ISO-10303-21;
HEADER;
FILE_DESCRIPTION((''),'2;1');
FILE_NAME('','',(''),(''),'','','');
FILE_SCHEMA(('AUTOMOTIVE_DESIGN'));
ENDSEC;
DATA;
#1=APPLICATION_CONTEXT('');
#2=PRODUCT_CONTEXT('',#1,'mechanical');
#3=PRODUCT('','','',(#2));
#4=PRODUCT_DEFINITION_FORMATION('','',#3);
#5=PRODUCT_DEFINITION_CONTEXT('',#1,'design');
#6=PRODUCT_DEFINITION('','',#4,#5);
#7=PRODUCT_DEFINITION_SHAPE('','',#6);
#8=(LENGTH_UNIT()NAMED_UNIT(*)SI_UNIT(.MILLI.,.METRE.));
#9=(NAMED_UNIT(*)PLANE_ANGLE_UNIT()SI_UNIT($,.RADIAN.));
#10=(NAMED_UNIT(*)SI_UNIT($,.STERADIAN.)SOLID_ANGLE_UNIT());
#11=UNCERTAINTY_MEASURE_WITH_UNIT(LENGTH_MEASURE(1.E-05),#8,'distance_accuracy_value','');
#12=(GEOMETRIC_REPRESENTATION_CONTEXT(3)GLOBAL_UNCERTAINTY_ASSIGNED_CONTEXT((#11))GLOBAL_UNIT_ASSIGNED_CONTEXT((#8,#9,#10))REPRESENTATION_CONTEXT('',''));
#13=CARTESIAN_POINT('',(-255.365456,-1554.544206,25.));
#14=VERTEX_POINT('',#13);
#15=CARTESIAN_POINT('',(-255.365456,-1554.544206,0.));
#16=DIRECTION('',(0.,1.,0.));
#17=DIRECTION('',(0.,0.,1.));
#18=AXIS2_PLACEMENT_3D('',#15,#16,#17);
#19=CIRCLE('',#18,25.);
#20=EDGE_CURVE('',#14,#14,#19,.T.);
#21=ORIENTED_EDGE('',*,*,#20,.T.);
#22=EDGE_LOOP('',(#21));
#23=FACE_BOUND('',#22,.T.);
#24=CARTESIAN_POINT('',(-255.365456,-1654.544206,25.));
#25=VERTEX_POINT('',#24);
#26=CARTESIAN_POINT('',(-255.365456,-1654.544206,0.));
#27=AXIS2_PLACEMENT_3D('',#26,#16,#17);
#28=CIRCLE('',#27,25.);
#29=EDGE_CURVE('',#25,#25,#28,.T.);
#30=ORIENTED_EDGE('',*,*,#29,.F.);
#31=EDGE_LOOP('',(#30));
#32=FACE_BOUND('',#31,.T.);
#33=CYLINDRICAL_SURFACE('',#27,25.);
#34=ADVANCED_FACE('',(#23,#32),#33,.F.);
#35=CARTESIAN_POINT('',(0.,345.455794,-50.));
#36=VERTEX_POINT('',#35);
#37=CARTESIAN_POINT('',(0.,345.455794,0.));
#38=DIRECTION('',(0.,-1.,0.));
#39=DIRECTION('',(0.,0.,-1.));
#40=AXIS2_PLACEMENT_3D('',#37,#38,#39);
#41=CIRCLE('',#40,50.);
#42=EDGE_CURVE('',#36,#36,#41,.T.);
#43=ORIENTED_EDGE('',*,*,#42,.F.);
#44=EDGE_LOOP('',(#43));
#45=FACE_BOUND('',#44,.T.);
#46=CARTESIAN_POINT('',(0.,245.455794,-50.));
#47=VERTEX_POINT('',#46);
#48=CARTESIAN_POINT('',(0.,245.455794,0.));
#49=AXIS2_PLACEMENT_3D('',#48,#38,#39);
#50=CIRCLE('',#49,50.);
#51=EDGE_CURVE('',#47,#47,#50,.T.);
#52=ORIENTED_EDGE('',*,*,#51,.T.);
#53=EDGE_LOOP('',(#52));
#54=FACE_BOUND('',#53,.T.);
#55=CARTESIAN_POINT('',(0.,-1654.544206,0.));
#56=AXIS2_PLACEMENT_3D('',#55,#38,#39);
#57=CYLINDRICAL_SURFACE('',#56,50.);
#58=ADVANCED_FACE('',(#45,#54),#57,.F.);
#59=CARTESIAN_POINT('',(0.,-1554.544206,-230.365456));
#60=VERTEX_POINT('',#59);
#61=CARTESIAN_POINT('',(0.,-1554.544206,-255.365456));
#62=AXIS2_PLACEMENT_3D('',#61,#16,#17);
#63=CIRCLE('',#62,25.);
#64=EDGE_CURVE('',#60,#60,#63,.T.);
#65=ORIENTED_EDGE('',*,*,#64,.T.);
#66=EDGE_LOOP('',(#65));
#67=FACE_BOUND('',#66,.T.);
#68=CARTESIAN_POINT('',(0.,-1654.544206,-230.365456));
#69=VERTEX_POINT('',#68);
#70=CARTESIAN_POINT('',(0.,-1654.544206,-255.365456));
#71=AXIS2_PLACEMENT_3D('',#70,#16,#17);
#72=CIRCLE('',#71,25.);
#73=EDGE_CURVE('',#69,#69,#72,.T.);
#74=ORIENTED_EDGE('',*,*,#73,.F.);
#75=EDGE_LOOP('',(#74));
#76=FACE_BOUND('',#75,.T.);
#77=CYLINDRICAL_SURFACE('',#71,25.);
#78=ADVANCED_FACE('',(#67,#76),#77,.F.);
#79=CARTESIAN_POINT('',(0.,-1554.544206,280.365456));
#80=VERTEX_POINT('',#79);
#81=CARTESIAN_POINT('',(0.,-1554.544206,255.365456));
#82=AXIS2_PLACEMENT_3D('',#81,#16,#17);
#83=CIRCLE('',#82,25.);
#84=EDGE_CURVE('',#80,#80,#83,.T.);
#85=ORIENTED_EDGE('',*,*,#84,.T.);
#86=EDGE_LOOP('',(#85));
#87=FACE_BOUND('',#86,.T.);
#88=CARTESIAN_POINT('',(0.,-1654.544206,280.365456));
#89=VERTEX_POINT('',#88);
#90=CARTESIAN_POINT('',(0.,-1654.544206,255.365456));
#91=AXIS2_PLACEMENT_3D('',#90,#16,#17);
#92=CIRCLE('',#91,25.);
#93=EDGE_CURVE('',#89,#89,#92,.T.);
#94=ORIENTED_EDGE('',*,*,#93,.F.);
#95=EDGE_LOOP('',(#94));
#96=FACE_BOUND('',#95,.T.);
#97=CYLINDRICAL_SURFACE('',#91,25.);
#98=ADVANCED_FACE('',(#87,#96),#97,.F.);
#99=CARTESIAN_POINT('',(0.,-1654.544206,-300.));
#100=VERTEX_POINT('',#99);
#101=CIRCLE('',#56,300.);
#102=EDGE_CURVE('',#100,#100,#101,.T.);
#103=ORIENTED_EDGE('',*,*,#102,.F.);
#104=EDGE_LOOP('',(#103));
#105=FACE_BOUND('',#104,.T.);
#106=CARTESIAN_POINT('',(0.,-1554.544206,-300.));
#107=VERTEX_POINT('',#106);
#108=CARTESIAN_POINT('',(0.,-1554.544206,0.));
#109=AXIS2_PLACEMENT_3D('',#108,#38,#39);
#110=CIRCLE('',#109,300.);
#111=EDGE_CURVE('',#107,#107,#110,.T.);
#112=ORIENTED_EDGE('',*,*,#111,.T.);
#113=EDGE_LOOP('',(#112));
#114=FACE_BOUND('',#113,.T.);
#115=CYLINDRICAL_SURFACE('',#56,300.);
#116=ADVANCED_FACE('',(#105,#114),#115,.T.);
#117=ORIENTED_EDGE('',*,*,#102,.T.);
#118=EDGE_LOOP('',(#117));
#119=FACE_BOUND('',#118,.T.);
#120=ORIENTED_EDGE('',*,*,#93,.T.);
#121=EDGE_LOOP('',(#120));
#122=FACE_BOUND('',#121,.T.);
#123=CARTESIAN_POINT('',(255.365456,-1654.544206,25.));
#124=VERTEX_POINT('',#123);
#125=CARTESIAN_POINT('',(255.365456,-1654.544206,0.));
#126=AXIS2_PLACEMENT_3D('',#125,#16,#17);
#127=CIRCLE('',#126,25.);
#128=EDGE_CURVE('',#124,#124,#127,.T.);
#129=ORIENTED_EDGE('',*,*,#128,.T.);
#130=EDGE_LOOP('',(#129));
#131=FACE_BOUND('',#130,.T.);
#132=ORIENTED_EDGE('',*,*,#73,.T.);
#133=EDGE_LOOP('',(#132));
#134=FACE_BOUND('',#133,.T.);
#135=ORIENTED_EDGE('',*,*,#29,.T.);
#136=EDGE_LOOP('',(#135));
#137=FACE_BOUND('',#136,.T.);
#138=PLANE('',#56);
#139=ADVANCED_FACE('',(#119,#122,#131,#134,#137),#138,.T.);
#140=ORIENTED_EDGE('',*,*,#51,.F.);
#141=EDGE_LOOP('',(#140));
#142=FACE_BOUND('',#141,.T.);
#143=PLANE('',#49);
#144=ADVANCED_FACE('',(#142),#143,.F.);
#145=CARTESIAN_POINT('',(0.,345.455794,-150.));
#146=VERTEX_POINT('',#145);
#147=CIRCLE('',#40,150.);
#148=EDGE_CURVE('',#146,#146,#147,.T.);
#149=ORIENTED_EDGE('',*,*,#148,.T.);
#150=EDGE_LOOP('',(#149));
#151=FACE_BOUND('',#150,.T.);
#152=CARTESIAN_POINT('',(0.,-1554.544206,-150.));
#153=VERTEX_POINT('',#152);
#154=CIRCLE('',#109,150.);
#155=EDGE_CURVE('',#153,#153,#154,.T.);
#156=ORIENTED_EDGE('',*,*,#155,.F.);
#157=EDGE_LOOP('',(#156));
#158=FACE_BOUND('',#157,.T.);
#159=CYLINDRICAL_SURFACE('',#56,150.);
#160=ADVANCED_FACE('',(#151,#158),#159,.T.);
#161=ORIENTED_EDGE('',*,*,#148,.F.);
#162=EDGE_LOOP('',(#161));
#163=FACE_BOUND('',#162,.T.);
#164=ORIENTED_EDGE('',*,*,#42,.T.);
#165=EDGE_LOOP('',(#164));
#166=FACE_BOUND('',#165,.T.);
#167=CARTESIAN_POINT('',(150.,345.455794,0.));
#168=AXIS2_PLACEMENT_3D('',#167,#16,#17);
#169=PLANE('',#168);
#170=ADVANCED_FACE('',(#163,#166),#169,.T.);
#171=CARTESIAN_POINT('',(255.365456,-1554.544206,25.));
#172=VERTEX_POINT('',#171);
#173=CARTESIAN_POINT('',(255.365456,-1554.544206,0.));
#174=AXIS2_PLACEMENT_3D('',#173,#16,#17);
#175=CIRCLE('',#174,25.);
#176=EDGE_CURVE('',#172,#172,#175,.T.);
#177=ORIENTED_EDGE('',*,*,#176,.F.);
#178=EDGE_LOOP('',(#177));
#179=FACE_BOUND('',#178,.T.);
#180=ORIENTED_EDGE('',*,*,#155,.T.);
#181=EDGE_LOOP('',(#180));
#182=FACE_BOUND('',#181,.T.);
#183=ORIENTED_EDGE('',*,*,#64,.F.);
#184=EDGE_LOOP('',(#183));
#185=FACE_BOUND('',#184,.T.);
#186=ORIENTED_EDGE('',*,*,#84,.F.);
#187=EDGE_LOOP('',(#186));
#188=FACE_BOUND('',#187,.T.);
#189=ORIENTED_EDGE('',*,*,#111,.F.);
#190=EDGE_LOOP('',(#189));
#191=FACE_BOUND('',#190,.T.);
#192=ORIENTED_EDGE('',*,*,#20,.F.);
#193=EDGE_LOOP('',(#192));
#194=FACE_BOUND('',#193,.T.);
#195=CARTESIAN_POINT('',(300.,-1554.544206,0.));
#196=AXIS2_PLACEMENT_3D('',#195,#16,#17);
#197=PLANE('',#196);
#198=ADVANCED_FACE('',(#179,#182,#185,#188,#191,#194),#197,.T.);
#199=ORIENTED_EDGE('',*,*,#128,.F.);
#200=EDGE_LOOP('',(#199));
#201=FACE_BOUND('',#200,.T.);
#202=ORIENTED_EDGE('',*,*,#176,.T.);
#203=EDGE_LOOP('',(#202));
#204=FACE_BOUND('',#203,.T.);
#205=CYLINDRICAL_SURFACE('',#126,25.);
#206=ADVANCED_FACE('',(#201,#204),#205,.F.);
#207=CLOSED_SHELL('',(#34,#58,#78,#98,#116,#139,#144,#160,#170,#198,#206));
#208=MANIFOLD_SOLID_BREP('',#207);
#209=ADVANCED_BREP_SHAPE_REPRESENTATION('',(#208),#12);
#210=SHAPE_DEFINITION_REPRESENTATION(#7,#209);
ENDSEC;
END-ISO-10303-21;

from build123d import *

# Parameters (mm, degrees)
SKETCH5_R          = 25
CUT_EXTRUDE2_DEPTH = 100


with BuildPart() as part:
    # Sketch4 → Revolve2 (revolve)
    with BuildSketch(Plane.XY):
        Polygon((0, -1654.544205968), (300, -1654.544205968), (300, -1554.544205968), (150, -1554.544205968), (150, 345.455794032), (50, 345.455794032), (50, 245.455794032), (0, 245.455794032), align=None)
    revolve(axis=Axis((0, -1654.544205968, 0), (0, 1, 0)))

    # Sketch5 → Cut-Extrude2 (cut)
    with BuildSketch(Plane(origin=(0, -1554.544205968, 0), x_dir=(1, 0, 0), z_dir=(0, 1, 0))):
        with Locations((0, 255.365455535)):
            Circle(SKETCH5_R)
        with Locations((255.365455535, 0)):
            Circle(SKETCH5_R)
        with Locations((0, -255.365455535)):
            Circle(SKETCH5_R)
        with Locations((-255.365455535, 0)):
            Circle(SKETCH5_R)
    extrude(amount=-CUT_EXTRUDE2_DEPTH, mode=Mode.SUBTRACT)


solid = part.part
